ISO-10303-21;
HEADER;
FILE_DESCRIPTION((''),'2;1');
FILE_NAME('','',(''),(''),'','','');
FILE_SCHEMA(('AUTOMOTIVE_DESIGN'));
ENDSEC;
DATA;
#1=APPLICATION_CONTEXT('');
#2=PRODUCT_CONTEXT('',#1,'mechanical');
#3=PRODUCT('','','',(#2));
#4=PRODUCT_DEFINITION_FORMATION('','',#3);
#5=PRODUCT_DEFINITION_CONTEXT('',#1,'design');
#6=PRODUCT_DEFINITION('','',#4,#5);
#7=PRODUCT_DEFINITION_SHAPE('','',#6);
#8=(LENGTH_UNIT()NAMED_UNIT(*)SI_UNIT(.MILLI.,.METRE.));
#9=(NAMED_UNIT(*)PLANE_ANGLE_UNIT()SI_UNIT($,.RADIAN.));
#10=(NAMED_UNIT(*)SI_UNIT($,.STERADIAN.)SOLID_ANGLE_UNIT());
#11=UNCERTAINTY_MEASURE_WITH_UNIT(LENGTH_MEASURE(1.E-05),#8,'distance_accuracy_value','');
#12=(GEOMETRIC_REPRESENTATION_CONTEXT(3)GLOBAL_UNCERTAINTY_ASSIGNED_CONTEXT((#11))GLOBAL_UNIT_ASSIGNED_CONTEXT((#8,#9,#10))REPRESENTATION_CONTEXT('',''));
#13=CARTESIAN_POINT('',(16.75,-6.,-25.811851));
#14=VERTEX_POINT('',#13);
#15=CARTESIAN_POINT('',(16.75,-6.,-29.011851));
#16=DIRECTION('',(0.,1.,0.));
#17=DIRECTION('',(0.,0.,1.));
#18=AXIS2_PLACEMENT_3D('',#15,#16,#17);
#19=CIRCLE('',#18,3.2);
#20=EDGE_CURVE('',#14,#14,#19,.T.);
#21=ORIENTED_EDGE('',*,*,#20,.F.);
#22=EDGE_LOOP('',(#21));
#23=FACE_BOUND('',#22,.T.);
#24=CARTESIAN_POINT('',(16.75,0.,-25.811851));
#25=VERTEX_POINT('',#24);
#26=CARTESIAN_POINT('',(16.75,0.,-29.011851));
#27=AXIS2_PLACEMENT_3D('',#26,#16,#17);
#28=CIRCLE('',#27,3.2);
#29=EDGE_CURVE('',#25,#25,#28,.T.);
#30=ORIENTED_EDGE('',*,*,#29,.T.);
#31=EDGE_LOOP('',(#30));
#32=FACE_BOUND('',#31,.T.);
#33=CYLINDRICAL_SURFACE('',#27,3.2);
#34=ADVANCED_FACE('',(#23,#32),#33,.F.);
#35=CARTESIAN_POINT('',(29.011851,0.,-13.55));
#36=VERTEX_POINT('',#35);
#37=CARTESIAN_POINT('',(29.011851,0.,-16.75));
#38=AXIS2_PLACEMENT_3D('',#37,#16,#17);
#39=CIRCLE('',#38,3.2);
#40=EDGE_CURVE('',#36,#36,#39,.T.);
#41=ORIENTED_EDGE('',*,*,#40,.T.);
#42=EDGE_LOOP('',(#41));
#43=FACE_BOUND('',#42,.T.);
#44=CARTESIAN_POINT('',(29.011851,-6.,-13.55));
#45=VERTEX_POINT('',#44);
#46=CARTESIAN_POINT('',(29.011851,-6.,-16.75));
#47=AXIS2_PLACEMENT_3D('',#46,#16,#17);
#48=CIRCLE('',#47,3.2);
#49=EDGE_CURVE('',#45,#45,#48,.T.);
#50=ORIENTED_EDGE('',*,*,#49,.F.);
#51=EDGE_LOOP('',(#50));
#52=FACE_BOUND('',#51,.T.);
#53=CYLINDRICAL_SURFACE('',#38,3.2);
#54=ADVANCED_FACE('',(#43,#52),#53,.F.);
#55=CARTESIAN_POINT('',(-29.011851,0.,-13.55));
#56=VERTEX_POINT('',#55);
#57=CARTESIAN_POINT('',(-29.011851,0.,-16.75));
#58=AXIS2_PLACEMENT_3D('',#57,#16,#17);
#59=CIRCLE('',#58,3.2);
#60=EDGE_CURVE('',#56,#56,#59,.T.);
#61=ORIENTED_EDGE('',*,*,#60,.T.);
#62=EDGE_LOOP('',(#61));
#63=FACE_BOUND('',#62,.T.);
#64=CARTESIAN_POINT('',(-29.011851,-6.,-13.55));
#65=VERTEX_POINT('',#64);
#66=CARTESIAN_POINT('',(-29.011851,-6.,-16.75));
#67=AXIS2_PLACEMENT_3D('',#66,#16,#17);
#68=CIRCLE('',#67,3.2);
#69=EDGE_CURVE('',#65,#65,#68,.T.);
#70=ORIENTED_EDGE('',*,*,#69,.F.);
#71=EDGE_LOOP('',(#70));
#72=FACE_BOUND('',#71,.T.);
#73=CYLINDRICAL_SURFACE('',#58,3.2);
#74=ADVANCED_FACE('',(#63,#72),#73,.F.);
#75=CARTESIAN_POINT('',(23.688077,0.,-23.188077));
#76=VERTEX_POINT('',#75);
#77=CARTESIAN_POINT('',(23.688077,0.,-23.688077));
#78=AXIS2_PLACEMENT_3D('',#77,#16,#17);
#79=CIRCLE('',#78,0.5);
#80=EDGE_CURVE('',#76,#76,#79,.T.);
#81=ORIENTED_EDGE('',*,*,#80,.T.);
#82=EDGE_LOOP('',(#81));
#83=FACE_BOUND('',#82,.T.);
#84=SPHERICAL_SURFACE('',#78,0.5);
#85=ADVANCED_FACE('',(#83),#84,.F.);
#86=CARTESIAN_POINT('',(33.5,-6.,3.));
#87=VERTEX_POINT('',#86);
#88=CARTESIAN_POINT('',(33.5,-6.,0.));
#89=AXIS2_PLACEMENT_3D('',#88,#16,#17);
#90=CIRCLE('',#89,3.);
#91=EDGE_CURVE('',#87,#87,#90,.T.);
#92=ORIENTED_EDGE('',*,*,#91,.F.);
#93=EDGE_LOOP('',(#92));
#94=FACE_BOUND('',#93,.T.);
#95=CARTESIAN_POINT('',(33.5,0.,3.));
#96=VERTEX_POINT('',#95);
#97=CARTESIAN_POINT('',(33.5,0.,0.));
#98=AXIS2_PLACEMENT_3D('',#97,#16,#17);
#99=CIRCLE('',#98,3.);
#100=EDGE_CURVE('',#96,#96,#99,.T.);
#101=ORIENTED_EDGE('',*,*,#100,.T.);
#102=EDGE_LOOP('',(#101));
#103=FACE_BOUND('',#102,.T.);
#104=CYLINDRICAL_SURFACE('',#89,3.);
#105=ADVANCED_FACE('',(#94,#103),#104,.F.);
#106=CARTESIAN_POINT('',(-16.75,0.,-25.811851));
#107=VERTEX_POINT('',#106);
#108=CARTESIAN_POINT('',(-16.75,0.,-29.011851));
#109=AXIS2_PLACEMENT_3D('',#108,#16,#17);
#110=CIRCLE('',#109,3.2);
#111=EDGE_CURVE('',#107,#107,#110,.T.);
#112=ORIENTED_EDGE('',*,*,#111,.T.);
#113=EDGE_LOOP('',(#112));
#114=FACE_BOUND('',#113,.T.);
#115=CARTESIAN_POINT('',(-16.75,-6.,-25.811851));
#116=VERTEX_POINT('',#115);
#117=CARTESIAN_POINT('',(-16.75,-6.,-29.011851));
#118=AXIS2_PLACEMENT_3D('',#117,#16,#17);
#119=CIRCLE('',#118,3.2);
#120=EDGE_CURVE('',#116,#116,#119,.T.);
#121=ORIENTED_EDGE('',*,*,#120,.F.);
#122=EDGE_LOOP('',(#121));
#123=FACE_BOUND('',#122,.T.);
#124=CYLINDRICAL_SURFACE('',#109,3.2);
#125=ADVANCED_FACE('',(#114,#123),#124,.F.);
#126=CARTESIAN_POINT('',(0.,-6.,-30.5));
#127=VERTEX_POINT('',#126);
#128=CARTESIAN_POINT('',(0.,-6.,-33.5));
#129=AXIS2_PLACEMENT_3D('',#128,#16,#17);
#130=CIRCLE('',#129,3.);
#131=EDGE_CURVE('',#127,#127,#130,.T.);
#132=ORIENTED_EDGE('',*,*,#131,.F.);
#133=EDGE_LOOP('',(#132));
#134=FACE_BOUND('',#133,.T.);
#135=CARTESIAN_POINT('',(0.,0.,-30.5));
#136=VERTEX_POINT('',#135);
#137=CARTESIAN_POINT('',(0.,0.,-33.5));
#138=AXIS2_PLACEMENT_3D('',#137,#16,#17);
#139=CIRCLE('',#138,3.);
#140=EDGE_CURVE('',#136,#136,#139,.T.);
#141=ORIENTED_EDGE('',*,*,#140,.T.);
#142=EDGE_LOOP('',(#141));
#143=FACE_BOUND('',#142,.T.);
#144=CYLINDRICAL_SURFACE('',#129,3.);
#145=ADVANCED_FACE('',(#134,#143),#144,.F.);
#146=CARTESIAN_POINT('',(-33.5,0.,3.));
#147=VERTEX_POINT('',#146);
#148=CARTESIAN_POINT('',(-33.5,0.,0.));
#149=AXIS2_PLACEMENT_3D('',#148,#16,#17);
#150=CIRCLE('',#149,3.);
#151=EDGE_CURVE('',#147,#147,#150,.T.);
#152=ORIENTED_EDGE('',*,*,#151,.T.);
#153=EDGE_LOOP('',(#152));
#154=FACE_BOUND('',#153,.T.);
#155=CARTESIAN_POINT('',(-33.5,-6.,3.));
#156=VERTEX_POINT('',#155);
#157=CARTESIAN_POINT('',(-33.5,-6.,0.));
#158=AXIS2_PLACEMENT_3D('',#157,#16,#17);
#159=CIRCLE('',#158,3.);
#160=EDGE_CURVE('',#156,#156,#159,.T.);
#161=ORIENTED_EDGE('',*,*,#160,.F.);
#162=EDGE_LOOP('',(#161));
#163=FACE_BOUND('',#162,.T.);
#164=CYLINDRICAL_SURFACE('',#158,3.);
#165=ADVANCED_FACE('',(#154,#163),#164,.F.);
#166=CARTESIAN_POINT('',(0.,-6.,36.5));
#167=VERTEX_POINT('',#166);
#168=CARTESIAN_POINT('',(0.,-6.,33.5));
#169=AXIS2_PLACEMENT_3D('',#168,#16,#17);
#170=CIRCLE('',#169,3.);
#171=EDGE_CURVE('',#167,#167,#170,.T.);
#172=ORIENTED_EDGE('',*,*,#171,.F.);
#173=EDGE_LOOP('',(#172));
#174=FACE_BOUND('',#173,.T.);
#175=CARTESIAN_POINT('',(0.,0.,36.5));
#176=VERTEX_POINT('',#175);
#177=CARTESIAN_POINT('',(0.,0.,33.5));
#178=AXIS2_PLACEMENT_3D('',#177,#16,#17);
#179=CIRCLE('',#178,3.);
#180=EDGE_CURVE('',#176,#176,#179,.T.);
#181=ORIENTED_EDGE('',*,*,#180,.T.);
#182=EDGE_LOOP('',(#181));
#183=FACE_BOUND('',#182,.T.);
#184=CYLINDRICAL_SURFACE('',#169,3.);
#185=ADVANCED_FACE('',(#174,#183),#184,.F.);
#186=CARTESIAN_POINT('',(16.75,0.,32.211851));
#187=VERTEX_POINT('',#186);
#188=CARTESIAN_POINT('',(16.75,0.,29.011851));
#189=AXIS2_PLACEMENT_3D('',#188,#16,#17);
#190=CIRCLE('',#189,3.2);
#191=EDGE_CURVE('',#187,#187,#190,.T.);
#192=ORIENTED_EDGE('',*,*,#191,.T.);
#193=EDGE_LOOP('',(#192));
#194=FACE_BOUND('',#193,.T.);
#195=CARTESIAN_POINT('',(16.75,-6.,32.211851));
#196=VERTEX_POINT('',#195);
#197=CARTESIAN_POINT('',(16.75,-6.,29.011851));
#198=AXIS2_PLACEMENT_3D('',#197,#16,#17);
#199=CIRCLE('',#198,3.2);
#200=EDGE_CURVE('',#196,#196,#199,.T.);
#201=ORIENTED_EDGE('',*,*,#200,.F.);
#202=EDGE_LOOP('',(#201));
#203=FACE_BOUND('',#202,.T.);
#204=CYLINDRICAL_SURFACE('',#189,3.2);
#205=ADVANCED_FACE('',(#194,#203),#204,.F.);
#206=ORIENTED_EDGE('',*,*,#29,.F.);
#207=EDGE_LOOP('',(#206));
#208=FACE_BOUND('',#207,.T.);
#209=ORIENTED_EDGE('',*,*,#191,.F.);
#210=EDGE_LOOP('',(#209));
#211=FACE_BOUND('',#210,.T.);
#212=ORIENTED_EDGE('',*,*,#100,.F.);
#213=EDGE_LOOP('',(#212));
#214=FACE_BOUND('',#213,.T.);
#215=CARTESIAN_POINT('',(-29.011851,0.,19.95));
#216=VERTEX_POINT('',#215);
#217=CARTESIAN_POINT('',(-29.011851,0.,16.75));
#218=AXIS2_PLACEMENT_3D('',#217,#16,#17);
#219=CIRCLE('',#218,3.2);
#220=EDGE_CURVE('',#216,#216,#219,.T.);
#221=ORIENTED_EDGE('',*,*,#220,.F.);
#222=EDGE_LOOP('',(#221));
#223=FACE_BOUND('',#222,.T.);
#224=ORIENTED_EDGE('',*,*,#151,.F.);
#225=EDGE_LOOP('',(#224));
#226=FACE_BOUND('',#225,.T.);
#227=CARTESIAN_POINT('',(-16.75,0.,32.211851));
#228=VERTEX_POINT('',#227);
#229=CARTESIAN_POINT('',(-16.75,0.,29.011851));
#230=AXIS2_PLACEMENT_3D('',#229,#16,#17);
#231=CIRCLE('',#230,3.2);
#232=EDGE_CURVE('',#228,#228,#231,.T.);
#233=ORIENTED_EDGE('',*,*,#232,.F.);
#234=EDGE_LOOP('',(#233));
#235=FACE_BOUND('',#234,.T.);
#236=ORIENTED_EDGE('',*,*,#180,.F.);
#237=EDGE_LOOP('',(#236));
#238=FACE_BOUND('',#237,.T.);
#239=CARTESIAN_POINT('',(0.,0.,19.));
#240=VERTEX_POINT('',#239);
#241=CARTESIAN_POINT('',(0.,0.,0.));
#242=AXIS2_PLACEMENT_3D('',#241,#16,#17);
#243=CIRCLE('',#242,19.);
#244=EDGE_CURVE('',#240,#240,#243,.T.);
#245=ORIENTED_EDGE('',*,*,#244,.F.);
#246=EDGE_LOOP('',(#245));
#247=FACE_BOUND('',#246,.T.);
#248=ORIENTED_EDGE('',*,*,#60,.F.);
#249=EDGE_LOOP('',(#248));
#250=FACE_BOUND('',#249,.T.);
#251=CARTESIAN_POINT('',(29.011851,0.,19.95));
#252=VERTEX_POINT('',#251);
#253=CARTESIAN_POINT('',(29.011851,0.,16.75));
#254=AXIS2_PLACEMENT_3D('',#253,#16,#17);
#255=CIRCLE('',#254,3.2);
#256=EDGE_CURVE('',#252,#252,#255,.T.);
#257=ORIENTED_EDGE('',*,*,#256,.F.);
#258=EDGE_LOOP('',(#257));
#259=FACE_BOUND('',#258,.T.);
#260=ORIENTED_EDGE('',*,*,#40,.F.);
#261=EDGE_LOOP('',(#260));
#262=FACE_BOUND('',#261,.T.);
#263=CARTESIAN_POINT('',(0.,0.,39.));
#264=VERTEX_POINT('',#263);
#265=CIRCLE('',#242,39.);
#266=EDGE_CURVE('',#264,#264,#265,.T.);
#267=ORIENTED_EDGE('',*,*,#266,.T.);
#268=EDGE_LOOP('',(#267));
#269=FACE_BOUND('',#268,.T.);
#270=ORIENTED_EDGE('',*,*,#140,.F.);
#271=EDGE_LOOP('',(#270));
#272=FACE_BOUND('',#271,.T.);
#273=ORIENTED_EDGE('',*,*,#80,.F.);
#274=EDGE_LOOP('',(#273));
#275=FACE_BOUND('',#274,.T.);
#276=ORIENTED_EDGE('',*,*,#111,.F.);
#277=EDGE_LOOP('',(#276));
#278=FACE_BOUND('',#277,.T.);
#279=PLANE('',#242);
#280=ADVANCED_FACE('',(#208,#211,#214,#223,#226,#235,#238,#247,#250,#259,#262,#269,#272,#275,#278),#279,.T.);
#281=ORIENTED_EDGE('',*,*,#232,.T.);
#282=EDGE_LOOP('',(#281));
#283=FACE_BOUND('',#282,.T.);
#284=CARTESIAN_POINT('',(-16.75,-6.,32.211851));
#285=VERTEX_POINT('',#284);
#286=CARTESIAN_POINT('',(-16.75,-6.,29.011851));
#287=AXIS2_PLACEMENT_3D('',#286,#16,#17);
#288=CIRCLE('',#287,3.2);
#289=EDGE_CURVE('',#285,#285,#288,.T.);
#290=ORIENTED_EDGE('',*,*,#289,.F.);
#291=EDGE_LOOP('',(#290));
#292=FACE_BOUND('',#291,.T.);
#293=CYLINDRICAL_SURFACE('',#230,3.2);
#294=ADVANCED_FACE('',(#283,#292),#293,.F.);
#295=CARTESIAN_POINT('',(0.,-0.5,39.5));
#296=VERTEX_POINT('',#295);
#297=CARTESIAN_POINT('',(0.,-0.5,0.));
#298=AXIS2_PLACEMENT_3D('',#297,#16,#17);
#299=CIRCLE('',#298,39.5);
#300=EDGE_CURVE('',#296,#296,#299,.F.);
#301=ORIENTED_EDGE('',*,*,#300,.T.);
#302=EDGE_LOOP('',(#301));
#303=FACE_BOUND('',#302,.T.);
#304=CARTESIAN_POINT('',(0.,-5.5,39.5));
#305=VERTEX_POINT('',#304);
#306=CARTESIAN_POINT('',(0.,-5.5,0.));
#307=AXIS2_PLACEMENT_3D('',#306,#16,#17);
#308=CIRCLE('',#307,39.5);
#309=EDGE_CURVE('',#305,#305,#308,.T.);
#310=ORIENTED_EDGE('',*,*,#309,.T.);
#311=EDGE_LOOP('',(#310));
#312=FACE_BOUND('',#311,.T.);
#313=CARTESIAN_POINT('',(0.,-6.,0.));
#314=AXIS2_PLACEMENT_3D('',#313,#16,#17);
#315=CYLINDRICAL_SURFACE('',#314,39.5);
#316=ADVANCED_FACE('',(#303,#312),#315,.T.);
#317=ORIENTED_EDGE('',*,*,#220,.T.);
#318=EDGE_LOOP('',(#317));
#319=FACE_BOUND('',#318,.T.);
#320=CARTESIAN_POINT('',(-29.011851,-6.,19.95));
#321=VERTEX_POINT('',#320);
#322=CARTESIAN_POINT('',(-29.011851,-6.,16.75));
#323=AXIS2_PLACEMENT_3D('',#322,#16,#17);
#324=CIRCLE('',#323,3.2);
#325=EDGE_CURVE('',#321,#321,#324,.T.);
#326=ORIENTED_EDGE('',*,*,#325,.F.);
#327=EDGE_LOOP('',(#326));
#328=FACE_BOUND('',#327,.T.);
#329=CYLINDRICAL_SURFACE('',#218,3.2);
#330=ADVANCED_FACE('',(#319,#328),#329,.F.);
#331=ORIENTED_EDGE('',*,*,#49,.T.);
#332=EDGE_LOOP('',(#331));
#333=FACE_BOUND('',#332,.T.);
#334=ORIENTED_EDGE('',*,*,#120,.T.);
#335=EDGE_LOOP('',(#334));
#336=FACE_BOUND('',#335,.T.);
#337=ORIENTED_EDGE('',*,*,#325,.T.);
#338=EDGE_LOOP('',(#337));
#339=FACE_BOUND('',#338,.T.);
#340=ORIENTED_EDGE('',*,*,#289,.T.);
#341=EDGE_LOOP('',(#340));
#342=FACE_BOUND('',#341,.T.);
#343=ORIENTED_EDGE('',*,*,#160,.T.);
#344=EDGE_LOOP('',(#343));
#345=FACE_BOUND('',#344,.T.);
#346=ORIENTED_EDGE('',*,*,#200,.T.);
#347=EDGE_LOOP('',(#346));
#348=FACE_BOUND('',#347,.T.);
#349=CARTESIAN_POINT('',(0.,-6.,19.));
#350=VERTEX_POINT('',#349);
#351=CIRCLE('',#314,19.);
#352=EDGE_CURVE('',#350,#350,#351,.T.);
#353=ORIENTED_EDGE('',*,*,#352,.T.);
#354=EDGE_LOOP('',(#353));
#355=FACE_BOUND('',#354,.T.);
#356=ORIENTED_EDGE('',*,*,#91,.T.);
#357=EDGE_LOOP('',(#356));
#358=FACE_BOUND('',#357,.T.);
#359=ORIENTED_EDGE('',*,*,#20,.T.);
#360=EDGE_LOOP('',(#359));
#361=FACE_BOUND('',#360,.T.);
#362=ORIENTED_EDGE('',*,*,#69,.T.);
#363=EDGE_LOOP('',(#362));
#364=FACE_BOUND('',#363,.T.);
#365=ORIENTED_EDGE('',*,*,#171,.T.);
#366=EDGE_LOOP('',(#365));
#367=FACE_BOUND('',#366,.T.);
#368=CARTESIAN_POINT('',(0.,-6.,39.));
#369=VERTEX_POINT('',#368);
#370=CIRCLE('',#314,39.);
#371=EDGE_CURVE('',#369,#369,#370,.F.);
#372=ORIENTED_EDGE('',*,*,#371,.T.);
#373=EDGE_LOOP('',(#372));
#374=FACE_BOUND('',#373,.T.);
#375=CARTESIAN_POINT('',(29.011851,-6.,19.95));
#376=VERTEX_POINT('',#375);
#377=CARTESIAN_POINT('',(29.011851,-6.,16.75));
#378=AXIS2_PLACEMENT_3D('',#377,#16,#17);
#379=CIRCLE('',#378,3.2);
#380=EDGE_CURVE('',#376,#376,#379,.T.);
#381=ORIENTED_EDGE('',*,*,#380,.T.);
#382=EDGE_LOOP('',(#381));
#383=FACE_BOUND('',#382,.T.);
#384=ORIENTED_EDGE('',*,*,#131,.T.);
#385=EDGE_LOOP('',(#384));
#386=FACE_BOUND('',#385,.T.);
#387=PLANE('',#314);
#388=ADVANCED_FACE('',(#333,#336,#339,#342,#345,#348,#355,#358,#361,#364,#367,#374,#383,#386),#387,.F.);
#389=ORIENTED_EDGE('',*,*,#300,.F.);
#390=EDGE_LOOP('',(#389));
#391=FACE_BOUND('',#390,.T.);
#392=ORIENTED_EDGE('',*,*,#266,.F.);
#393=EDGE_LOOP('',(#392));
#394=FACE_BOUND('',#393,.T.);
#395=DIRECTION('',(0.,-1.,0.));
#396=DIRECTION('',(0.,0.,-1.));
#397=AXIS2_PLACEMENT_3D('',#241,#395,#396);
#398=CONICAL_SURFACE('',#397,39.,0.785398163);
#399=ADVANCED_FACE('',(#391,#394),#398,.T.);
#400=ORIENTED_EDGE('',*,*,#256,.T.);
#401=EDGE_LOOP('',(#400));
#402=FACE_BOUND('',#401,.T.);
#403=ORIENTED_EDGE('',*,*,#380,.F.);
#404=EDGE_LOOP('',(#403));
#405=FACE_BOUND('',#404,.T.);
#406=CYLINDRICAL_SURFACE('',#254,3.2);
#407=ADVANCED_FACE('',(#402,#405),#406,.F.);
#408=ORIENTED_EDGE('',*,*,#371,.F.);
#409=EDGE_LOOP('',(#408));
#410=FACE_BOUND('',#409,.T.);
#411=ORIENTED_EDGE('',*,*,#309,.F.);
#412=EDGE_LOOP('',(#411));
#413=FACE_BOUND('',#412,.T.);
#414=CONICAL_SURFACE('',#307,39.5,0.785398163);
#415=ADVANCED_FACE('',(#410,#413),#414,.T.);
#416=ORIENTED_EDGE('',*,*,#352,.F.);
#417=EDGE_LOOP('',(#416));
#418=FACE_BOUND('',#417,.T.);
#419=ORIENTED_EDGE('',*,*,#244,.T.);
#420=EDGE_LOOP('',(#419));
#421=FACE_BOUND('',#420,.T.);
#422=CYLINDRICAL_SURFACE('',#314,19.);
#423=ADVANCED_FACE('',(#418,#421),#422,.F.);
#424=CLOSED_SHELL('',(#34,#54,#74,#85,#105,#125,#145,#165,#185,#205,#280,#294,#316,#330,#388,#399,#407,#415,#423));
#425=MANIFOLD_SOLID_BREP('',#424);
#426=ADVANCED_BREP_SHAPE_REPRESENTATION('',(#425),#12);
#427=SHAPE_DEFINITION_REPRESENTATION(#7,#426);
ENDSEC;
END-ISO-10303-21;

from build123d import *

# Parameters (mm, degrees)
SKETCH_1_R        = 39.5
SKETCH_1_R_2      = 19
SKETCH_1_R_3      = 3
EXTRUDE_1_DEPTH   = 6
HOLE_WIZARD_M61_D = 6.4
CHAMFER_1_SIZE    = 0.5


with BuildPart() as part:
    # Эскиз1 → Вытянуть1 (new body)
    with BuildSketch(Plane(origin=(0, 0, 0), x_dir=(1, 0, 0), z_dir=(0, 1, 0))):
        Circle(SKETCH_1_R)
        Circle(SKETCH_1_R_2, mode=Mode.SUBTRACT)
        with Locations((0, 33.5)):
            Circle(SKETCH_1_R_3, mode=Mode.SUBTRACT)
        with Locations((33.5, 0)):
            Circle(SKETCH_1_R_3, mode=Mode.SUBTRACT)
        with Locations((-33.5, 0)):
            Circle(SKETCH_1_R_3, mode=Mode.SUBTRACT)
        with Locations((0, -33.5)):
            Circle(SKETCH_1_R_3, mode=Mode.SUBTRACT)
    extrude(amount=-EXTRUDE_1_DEPTH)

    # Отверстие с зазором M61 (through all)
    with Locations(Plane(origin=(0, 0, 0), x_dir=(-1, 0, 0), z_dir=(0, 1, 0))):
        with Locations((16.75, 29.011851027), (29.011851027, -16.75), (-16.75, -29.011851027), (-29.011851027, 16.75), (16.75, -29.011851027), (-29.011851027, -16.75), (-16.75, 29.011851027), (29.011851027, 16.75)):
            Hole(HOLE_WIZARD_M61_D / 2)

    # Фаска1
    chamfer_1_edges = [part.edges().sort_by_distance(p)[0] for p in [
        (-39.5, 0, 0),
        (-39.5, -6, 0),
    ]]
    chamfer(chamfer_1_edges, length=CHAMFER_1_SIZE)

    # Эскиз5 → Вырез-Повернуть1 (revolve, cut)
    with BuildSketch(Plane(origin=(0, 0, 0), x_dir=(1, 0, 0), z_dir=(0, 1, 0))):
        with BuildLine():
            Line((24.04163056, 24.04163056), (23.334523779, 23.334523779))
            ThreePointArc((23.334523779, 23.334523779), (23.334523779, 24.04163056), (24.04163056, 24.04163056))
        make_face()
    revolve(axis=Axis((26.47587554, 0, -26.47587554), (-0.707106781, 0, 0.707106781)), mode=Mode.SUBTRACT)


solid = part.part
